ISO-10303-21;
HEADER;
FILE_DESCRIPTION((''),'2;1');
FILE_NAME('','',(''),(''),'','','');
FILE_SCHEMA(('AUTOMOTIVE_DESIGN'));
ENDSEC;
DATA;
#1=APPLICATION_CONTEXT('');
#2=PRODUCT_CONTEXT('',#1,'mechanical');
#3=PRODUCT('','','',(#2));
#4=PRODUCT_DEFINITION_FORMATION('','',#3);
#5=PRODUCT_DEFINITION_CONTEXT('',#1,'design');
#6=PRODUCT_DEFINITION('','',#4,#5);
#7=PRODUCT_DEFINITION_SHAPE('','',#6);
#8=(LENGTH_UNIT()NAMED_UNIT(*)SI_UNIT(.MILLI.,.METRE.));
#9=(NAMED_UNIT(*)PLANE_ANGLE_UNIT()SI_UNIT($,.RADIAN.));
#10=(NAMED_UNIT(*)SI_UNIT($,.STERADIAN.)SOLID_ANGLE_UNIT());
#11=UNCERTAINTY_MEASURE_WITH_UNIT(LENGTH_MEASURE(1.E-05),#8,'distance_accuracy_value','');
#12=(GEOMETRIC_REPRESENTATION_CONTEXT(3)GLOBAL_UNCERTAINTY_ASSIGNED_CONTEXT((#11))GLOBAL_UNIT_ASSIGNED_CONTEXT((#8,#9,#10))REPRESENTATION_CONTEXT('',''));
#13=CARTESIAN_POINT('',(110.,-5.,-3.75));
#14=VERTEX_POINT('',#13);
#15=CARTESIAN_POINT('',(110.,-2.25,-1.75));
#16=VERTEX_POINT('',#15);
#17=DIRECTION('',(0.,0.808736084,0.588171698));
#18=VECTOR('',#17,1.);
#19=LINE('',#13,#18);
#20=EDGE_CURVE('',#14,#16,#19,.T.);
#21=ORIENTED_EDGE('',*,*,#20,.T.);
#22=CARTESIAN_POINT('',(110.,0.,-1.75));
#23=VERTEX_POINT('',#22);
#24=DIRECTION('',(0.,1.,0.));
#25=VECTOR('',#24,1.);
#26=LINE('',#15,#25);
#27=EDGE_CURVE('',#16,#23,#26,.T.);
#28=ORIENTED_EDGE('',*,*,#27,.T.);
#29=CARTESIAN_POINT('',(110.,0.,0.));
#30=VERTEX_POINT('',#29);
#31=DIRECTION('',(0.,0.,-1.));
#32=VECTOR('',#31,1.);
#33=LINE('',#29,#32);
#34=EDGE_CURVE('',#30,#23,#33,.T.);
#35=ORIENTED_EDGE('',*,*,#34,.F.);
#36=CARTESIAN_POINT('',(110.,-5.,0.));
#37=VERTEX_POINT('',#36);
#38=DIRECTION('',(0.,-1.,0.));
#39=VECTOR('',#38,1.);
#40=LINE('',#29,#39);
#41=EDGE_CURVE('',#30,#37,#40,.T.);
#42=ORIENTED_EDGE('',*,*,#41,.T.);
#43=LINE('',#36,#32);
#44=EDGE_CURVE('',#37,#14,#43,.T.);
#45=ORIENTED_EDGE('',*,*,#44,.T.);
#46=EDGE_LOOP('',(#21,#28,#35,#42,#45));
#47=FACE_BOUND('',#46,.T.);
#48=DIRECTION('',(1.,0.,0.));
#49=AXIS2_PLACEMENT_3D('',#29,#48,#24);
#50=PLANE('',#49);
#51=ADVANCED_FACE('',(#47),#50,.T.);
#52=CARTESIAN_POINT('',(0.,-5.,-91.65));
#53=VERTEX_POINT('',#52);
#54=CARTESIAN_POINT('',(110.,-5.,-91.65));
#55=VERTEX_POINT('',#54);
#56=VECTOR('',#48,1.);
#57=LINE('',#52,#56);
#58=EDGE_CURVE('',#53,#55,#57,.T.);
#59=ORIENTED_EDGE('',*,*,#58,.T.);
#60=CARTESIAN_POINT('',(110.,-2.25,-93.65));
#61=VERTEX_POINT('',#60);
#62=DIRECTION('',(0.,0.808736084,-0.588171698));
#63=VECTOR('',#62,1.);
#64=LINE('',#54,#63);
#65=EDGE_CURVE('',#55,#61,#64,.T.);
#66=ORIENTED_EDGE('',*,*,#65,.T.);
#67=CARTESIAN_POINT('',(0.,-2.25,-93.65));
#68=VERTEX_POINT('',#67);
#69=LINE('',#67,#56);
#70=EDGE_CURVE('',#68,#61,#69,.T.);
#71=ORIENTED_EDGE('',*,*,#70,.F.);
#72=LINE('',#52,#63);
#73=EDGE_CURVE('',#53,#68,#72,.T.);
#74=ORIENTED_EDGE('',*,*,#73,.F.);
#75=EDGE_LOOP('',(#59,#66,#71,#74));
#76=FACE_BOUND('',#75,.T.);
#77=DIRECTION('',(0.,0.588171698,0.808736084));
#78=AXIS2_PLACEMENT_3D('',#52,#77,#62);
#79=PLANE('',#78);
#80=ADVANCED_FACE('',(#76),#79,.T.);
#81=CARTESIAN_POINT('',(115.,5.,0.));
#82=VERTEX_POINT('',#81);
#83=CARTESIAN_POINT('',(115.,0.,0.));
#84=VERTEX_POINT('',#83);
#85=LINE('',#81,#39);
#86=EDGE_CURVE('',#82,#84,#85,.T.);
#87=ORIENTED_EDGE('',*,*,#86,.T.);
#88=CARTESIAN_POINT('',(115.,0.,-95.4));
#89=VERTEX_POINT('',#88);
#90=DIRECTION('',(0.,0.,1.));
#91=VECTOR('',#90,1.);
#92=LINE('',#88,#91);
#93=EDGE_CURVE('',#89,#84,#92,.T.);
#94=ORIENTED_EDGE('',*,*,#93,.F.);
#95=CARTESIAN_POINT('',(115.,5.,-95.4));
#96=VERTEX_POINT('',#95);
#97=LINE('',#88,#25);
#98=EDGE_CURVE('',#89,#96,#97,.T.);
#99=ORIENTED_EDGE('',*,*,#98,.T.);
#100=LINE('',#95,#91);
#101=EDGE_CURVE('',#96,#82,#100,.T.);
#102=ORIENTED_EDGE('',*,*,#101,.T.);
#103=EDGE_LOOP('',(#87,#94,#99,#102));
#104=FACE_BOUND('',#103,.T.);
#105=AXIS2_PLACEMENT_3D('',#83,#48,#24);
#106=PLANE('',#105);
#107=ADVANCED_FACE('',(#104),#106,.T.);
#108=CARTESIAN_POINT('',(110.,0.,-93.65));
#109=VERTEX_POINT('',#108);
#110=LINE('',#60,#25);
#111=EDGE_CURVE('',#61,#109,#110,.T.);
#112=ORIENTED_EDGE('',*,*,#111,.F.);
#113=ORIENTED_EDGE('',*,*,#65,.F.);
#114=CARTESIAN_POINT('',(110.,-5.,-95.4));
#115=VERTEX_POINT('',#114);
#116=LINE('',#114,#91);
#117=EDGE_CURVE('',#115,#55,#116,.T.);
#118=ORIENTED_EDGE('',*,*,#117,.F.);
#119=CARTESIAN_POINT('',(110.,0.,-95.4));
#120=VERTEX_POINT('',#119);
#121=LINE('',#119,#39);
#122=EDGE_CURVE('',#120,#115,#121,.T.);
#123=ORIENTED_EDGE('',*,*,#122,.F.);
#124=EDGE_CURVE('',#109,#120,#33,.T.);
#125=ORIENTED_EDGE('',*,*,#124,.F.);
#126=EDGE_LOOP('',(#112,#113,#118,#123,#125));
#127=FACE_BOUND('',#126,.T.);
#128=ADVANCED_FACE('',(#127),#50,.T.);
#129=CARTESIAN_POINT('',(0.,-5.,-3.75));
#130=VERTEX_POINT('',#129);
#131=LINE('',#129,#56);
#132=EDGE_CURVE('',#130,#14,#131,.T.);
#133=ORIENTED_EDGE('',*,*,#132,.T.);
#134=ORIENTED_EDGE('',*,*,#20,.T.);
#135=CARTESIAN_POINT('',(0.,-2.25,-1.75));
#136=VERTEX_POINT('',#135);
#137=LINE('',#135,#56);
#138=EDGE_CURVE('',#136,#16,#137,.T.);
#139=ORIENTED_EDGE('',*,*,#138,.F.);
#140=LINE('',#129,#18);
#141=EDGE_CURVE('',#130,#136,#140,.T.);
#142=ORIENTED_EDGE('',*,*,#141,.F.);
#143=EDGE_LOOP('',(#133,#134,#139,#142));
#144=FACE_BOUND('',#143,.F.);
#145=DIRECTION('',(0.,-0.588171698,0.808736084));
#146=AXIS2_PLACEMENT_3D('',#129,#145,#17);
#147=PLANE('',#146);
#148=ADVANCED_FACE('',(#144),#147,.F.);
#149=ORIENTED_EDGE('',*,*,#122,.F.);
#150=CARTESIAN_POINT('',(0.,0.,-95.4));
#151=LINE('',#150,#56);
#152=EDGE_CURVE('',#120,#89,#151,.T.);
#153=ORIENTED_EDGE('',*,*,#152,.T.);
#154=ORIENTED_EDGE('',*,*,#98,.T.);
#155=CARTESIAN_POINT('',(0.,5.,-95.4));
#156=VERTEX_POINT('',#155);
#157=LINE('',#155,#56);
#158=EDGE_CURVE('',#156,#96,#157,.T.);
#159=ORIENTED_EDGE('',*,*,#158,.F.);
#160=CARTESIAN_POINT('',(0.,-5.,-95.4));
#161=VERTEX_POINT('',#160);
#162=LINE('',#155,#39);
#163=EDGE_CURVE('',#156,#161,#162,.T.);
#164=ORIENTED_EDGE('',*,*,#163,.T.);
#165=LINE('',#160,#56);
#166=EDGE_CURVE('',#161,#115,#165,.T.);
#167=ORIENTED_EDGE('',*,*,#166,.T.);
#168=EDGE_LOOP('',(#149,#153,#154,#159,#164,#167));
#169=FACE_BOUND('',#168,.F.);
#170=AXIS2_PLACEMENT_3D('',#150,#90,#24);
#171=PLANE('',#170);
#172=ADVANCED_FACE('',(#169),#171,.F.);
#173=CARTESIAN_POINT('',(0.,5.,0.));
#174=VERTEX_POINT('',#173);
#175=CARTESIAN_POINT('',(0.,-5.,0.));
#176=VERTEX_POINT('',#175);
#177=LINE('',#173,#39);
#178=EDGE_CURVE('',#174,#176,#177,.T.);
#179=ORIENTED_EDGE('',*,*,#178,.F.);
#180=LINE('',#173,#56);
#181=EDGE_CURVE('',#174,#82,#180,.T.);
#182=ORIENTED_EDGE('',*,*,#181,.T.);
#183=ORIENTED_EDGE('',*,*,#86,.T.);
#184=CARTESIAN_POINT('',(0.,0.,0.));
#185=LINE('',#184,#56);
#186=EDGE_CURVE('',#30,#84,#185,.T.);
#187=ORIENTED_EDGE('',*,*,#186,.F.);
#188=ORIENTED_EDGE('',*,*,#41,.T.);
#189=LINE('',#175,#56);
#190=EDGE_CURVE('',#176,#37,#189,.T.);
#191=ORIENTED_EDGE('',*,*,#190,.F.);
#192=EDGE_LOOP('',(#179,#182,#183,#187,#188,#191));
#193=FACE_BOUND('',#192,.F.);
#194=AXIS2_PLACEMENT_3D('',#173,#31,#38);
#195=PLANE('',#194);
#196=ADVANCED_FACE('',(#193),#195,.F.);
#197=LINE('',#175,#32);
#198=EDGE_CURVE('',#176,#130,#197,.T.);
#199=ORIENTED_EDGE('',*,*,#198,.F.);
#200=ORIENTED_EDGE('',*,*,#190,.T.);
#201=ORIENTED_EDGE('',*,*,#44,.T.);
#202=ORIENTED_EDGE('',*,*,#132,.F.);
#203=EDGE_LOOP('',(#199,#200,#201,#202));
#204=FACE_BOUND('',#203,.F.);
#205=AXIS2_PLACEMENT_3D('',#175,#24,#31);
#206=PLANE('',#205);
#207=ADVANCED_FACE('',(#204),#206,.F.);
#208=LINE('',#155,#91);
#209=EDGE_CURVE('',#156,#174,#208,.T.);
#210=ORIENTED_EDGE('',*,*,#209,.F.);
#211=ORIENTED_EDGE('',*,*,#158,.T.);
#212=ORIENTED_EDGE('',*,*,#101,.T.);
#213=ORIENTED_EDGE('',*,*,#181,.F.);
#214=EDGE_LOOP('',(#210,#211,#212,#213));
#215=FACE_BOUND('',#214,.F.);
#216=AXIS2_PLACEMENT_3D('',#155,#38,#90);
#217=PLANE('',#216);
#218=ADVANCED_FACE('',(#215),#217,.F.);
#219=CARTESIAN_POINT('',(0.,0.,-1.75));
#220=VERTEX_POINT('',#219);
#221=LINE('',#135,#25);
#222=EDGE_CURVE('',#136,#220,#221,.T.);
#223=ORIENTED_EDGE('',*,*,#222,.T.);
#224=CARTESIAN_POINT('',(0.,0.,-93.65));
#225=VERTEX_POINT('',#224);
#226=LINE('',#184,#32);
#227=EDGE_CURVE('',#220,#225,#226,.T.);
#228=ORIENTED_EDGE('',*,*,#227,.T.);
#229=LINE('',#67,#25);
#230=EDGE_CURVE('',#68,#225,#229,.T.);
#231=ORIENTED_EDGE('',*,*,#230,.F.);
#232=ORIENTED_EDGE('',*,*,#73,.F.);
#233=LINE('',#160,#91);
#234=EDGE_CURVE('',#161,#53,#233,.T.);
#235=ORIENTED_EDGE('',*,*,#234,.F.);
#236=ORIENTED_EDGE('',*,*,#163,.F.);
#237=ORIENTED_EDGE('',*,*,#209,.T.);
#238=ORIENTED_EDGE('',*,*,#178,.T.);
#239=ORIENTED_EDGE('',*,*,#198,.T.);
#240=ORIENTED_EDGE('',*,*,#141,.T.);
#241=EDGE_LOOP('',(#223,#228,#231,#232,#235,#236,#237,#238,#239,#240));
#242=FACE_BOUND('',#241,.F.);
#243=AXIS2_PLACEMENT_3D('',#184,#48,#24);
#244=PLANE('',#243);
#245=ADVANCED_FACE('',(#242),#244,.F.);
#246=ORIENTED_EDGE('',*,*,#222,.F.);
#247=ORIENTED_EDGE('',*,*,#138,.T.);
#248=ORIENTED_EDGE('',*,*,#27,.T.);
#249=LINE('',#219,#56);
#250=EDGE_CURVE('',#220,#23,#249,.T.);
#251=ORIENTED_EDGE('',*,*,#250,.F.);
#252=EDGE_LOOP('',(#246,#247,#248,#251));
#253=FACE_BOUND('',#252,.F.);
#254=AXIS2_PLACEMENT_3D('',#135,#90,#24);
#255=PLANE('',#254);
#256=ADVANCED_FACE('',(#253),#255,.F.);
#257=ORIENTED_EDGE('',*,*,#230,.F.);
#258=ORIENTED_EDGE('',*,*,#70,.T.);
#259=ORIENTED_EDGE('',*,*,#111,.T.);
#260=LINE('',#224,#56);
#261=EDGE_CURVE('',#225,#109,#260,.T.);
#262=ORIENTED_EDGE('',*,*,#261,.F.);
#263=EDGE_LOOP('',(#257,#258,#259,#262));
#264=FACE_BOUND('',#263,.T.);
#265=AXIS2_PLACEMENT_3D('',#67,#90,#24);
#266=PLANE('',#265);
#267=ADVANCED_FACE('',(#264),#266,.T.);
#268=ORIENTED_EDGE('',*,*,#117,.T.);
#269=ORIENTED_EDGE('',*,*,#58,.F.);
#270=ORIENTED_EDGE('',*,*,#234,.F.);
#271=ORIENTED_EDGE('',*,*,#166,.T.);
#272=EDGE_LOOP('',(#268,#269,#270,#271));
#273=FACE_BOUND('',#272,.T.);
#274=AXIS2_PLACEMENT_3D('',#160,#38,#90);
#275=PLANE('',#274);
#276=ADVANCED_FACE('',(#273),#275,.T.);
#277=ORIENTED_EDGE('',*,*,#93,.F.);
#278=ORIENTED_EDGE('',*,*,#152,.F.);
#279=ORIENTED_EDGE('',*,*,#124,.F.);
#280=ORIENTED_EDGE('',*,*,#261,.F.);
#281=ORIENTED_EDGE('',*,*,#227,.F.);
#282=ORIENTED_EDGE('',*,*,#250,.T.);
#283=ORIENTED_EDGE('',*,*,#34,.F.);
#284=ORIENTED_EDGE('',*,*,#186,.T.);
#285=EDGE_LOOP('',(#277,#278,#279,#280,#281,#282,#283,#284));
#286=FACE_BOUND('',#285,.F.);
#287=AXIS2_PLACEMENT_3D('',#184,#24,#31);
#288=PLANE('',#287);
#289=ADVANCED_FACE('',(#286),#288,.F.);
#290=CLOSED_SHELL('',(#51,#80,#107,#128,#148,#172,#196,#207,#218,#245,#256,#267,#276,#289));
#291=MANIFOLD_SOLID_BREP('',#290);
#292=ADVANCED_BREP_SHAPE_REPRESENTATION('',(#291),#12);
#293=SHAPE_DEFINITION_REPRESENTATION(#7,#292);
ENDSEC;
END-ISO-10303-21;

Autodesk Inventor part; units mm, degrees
ref_plane "YZ Plane" through (0, 0, 0) normal (1, 0, 0) x (0, 1, 0)
ref_plane "XZ Plane" through (0, 0, 0) normal (0, 1, 0) x (-1, 0, 0)
ref_plane "XY Plane" through (0, 0, 0) normal (0, 0, 1) x (1, 0, 0)
sketch "Boceto1" plane through (0, 0, 0) normal (1, 0, 0) x (0, 1, 0)
  point P0 (0, 0)
sketch "Boceto2" plane through (0, 0, 0) normal (1, 0, 0) x (0, 1, 0)
  line L0 (0, 0) -> (0, -95.4)
  line L1 (0, -95.4) -> (5, -95.4)
  line L2 (5, -95.4) -> (5, 0)
  line L3 (5, 0) -> (0, 0)
  line L4 (0, 0) -> (-5, 0)
  line L5 (-5, 0) -> (-5, -3.75)
  line L6 (-5, -3.75) -> (-2.25, -1.75)
  line L7 (-2.25, -1.75) -> (0, -1.75)
  line L8 (11.8488, -47.7) -> (-15.1149, -47.7) construction
  line L9 (0, -95.4) -> (-5, -95.4)
  line L10 (-5, -95.4) -> (-5, -91.65)
  line L11 (-5, -91.65) -> (-2.25, -93.65)
  line L12 (-2.25, -93.65) -> (0, -93.65)
  point P0 (-1.125, -1.75)
  point P1 (5, -47.7)
  point P2 (0, -93.65)
  dimension "d0" = 5
  dimension "d1" = 95.4
  dimension "d2" = 5
  dimension "d4" = 3.75
  dimension "d5" = 1.75
  dimension "d6" = 2.25
  dimension "d7" = 0
extrude "Extrusión1" add sketch "Boceto2" along normal blind 110 contours L0 L7 L6 L5 L4 | L0 L9 L10 L11 L12
extrude "Extrusión2" add sketch "Boceto2" along normal blind 115 contours L3 L2 L1 L0
properties part number "tapa_pcb"
